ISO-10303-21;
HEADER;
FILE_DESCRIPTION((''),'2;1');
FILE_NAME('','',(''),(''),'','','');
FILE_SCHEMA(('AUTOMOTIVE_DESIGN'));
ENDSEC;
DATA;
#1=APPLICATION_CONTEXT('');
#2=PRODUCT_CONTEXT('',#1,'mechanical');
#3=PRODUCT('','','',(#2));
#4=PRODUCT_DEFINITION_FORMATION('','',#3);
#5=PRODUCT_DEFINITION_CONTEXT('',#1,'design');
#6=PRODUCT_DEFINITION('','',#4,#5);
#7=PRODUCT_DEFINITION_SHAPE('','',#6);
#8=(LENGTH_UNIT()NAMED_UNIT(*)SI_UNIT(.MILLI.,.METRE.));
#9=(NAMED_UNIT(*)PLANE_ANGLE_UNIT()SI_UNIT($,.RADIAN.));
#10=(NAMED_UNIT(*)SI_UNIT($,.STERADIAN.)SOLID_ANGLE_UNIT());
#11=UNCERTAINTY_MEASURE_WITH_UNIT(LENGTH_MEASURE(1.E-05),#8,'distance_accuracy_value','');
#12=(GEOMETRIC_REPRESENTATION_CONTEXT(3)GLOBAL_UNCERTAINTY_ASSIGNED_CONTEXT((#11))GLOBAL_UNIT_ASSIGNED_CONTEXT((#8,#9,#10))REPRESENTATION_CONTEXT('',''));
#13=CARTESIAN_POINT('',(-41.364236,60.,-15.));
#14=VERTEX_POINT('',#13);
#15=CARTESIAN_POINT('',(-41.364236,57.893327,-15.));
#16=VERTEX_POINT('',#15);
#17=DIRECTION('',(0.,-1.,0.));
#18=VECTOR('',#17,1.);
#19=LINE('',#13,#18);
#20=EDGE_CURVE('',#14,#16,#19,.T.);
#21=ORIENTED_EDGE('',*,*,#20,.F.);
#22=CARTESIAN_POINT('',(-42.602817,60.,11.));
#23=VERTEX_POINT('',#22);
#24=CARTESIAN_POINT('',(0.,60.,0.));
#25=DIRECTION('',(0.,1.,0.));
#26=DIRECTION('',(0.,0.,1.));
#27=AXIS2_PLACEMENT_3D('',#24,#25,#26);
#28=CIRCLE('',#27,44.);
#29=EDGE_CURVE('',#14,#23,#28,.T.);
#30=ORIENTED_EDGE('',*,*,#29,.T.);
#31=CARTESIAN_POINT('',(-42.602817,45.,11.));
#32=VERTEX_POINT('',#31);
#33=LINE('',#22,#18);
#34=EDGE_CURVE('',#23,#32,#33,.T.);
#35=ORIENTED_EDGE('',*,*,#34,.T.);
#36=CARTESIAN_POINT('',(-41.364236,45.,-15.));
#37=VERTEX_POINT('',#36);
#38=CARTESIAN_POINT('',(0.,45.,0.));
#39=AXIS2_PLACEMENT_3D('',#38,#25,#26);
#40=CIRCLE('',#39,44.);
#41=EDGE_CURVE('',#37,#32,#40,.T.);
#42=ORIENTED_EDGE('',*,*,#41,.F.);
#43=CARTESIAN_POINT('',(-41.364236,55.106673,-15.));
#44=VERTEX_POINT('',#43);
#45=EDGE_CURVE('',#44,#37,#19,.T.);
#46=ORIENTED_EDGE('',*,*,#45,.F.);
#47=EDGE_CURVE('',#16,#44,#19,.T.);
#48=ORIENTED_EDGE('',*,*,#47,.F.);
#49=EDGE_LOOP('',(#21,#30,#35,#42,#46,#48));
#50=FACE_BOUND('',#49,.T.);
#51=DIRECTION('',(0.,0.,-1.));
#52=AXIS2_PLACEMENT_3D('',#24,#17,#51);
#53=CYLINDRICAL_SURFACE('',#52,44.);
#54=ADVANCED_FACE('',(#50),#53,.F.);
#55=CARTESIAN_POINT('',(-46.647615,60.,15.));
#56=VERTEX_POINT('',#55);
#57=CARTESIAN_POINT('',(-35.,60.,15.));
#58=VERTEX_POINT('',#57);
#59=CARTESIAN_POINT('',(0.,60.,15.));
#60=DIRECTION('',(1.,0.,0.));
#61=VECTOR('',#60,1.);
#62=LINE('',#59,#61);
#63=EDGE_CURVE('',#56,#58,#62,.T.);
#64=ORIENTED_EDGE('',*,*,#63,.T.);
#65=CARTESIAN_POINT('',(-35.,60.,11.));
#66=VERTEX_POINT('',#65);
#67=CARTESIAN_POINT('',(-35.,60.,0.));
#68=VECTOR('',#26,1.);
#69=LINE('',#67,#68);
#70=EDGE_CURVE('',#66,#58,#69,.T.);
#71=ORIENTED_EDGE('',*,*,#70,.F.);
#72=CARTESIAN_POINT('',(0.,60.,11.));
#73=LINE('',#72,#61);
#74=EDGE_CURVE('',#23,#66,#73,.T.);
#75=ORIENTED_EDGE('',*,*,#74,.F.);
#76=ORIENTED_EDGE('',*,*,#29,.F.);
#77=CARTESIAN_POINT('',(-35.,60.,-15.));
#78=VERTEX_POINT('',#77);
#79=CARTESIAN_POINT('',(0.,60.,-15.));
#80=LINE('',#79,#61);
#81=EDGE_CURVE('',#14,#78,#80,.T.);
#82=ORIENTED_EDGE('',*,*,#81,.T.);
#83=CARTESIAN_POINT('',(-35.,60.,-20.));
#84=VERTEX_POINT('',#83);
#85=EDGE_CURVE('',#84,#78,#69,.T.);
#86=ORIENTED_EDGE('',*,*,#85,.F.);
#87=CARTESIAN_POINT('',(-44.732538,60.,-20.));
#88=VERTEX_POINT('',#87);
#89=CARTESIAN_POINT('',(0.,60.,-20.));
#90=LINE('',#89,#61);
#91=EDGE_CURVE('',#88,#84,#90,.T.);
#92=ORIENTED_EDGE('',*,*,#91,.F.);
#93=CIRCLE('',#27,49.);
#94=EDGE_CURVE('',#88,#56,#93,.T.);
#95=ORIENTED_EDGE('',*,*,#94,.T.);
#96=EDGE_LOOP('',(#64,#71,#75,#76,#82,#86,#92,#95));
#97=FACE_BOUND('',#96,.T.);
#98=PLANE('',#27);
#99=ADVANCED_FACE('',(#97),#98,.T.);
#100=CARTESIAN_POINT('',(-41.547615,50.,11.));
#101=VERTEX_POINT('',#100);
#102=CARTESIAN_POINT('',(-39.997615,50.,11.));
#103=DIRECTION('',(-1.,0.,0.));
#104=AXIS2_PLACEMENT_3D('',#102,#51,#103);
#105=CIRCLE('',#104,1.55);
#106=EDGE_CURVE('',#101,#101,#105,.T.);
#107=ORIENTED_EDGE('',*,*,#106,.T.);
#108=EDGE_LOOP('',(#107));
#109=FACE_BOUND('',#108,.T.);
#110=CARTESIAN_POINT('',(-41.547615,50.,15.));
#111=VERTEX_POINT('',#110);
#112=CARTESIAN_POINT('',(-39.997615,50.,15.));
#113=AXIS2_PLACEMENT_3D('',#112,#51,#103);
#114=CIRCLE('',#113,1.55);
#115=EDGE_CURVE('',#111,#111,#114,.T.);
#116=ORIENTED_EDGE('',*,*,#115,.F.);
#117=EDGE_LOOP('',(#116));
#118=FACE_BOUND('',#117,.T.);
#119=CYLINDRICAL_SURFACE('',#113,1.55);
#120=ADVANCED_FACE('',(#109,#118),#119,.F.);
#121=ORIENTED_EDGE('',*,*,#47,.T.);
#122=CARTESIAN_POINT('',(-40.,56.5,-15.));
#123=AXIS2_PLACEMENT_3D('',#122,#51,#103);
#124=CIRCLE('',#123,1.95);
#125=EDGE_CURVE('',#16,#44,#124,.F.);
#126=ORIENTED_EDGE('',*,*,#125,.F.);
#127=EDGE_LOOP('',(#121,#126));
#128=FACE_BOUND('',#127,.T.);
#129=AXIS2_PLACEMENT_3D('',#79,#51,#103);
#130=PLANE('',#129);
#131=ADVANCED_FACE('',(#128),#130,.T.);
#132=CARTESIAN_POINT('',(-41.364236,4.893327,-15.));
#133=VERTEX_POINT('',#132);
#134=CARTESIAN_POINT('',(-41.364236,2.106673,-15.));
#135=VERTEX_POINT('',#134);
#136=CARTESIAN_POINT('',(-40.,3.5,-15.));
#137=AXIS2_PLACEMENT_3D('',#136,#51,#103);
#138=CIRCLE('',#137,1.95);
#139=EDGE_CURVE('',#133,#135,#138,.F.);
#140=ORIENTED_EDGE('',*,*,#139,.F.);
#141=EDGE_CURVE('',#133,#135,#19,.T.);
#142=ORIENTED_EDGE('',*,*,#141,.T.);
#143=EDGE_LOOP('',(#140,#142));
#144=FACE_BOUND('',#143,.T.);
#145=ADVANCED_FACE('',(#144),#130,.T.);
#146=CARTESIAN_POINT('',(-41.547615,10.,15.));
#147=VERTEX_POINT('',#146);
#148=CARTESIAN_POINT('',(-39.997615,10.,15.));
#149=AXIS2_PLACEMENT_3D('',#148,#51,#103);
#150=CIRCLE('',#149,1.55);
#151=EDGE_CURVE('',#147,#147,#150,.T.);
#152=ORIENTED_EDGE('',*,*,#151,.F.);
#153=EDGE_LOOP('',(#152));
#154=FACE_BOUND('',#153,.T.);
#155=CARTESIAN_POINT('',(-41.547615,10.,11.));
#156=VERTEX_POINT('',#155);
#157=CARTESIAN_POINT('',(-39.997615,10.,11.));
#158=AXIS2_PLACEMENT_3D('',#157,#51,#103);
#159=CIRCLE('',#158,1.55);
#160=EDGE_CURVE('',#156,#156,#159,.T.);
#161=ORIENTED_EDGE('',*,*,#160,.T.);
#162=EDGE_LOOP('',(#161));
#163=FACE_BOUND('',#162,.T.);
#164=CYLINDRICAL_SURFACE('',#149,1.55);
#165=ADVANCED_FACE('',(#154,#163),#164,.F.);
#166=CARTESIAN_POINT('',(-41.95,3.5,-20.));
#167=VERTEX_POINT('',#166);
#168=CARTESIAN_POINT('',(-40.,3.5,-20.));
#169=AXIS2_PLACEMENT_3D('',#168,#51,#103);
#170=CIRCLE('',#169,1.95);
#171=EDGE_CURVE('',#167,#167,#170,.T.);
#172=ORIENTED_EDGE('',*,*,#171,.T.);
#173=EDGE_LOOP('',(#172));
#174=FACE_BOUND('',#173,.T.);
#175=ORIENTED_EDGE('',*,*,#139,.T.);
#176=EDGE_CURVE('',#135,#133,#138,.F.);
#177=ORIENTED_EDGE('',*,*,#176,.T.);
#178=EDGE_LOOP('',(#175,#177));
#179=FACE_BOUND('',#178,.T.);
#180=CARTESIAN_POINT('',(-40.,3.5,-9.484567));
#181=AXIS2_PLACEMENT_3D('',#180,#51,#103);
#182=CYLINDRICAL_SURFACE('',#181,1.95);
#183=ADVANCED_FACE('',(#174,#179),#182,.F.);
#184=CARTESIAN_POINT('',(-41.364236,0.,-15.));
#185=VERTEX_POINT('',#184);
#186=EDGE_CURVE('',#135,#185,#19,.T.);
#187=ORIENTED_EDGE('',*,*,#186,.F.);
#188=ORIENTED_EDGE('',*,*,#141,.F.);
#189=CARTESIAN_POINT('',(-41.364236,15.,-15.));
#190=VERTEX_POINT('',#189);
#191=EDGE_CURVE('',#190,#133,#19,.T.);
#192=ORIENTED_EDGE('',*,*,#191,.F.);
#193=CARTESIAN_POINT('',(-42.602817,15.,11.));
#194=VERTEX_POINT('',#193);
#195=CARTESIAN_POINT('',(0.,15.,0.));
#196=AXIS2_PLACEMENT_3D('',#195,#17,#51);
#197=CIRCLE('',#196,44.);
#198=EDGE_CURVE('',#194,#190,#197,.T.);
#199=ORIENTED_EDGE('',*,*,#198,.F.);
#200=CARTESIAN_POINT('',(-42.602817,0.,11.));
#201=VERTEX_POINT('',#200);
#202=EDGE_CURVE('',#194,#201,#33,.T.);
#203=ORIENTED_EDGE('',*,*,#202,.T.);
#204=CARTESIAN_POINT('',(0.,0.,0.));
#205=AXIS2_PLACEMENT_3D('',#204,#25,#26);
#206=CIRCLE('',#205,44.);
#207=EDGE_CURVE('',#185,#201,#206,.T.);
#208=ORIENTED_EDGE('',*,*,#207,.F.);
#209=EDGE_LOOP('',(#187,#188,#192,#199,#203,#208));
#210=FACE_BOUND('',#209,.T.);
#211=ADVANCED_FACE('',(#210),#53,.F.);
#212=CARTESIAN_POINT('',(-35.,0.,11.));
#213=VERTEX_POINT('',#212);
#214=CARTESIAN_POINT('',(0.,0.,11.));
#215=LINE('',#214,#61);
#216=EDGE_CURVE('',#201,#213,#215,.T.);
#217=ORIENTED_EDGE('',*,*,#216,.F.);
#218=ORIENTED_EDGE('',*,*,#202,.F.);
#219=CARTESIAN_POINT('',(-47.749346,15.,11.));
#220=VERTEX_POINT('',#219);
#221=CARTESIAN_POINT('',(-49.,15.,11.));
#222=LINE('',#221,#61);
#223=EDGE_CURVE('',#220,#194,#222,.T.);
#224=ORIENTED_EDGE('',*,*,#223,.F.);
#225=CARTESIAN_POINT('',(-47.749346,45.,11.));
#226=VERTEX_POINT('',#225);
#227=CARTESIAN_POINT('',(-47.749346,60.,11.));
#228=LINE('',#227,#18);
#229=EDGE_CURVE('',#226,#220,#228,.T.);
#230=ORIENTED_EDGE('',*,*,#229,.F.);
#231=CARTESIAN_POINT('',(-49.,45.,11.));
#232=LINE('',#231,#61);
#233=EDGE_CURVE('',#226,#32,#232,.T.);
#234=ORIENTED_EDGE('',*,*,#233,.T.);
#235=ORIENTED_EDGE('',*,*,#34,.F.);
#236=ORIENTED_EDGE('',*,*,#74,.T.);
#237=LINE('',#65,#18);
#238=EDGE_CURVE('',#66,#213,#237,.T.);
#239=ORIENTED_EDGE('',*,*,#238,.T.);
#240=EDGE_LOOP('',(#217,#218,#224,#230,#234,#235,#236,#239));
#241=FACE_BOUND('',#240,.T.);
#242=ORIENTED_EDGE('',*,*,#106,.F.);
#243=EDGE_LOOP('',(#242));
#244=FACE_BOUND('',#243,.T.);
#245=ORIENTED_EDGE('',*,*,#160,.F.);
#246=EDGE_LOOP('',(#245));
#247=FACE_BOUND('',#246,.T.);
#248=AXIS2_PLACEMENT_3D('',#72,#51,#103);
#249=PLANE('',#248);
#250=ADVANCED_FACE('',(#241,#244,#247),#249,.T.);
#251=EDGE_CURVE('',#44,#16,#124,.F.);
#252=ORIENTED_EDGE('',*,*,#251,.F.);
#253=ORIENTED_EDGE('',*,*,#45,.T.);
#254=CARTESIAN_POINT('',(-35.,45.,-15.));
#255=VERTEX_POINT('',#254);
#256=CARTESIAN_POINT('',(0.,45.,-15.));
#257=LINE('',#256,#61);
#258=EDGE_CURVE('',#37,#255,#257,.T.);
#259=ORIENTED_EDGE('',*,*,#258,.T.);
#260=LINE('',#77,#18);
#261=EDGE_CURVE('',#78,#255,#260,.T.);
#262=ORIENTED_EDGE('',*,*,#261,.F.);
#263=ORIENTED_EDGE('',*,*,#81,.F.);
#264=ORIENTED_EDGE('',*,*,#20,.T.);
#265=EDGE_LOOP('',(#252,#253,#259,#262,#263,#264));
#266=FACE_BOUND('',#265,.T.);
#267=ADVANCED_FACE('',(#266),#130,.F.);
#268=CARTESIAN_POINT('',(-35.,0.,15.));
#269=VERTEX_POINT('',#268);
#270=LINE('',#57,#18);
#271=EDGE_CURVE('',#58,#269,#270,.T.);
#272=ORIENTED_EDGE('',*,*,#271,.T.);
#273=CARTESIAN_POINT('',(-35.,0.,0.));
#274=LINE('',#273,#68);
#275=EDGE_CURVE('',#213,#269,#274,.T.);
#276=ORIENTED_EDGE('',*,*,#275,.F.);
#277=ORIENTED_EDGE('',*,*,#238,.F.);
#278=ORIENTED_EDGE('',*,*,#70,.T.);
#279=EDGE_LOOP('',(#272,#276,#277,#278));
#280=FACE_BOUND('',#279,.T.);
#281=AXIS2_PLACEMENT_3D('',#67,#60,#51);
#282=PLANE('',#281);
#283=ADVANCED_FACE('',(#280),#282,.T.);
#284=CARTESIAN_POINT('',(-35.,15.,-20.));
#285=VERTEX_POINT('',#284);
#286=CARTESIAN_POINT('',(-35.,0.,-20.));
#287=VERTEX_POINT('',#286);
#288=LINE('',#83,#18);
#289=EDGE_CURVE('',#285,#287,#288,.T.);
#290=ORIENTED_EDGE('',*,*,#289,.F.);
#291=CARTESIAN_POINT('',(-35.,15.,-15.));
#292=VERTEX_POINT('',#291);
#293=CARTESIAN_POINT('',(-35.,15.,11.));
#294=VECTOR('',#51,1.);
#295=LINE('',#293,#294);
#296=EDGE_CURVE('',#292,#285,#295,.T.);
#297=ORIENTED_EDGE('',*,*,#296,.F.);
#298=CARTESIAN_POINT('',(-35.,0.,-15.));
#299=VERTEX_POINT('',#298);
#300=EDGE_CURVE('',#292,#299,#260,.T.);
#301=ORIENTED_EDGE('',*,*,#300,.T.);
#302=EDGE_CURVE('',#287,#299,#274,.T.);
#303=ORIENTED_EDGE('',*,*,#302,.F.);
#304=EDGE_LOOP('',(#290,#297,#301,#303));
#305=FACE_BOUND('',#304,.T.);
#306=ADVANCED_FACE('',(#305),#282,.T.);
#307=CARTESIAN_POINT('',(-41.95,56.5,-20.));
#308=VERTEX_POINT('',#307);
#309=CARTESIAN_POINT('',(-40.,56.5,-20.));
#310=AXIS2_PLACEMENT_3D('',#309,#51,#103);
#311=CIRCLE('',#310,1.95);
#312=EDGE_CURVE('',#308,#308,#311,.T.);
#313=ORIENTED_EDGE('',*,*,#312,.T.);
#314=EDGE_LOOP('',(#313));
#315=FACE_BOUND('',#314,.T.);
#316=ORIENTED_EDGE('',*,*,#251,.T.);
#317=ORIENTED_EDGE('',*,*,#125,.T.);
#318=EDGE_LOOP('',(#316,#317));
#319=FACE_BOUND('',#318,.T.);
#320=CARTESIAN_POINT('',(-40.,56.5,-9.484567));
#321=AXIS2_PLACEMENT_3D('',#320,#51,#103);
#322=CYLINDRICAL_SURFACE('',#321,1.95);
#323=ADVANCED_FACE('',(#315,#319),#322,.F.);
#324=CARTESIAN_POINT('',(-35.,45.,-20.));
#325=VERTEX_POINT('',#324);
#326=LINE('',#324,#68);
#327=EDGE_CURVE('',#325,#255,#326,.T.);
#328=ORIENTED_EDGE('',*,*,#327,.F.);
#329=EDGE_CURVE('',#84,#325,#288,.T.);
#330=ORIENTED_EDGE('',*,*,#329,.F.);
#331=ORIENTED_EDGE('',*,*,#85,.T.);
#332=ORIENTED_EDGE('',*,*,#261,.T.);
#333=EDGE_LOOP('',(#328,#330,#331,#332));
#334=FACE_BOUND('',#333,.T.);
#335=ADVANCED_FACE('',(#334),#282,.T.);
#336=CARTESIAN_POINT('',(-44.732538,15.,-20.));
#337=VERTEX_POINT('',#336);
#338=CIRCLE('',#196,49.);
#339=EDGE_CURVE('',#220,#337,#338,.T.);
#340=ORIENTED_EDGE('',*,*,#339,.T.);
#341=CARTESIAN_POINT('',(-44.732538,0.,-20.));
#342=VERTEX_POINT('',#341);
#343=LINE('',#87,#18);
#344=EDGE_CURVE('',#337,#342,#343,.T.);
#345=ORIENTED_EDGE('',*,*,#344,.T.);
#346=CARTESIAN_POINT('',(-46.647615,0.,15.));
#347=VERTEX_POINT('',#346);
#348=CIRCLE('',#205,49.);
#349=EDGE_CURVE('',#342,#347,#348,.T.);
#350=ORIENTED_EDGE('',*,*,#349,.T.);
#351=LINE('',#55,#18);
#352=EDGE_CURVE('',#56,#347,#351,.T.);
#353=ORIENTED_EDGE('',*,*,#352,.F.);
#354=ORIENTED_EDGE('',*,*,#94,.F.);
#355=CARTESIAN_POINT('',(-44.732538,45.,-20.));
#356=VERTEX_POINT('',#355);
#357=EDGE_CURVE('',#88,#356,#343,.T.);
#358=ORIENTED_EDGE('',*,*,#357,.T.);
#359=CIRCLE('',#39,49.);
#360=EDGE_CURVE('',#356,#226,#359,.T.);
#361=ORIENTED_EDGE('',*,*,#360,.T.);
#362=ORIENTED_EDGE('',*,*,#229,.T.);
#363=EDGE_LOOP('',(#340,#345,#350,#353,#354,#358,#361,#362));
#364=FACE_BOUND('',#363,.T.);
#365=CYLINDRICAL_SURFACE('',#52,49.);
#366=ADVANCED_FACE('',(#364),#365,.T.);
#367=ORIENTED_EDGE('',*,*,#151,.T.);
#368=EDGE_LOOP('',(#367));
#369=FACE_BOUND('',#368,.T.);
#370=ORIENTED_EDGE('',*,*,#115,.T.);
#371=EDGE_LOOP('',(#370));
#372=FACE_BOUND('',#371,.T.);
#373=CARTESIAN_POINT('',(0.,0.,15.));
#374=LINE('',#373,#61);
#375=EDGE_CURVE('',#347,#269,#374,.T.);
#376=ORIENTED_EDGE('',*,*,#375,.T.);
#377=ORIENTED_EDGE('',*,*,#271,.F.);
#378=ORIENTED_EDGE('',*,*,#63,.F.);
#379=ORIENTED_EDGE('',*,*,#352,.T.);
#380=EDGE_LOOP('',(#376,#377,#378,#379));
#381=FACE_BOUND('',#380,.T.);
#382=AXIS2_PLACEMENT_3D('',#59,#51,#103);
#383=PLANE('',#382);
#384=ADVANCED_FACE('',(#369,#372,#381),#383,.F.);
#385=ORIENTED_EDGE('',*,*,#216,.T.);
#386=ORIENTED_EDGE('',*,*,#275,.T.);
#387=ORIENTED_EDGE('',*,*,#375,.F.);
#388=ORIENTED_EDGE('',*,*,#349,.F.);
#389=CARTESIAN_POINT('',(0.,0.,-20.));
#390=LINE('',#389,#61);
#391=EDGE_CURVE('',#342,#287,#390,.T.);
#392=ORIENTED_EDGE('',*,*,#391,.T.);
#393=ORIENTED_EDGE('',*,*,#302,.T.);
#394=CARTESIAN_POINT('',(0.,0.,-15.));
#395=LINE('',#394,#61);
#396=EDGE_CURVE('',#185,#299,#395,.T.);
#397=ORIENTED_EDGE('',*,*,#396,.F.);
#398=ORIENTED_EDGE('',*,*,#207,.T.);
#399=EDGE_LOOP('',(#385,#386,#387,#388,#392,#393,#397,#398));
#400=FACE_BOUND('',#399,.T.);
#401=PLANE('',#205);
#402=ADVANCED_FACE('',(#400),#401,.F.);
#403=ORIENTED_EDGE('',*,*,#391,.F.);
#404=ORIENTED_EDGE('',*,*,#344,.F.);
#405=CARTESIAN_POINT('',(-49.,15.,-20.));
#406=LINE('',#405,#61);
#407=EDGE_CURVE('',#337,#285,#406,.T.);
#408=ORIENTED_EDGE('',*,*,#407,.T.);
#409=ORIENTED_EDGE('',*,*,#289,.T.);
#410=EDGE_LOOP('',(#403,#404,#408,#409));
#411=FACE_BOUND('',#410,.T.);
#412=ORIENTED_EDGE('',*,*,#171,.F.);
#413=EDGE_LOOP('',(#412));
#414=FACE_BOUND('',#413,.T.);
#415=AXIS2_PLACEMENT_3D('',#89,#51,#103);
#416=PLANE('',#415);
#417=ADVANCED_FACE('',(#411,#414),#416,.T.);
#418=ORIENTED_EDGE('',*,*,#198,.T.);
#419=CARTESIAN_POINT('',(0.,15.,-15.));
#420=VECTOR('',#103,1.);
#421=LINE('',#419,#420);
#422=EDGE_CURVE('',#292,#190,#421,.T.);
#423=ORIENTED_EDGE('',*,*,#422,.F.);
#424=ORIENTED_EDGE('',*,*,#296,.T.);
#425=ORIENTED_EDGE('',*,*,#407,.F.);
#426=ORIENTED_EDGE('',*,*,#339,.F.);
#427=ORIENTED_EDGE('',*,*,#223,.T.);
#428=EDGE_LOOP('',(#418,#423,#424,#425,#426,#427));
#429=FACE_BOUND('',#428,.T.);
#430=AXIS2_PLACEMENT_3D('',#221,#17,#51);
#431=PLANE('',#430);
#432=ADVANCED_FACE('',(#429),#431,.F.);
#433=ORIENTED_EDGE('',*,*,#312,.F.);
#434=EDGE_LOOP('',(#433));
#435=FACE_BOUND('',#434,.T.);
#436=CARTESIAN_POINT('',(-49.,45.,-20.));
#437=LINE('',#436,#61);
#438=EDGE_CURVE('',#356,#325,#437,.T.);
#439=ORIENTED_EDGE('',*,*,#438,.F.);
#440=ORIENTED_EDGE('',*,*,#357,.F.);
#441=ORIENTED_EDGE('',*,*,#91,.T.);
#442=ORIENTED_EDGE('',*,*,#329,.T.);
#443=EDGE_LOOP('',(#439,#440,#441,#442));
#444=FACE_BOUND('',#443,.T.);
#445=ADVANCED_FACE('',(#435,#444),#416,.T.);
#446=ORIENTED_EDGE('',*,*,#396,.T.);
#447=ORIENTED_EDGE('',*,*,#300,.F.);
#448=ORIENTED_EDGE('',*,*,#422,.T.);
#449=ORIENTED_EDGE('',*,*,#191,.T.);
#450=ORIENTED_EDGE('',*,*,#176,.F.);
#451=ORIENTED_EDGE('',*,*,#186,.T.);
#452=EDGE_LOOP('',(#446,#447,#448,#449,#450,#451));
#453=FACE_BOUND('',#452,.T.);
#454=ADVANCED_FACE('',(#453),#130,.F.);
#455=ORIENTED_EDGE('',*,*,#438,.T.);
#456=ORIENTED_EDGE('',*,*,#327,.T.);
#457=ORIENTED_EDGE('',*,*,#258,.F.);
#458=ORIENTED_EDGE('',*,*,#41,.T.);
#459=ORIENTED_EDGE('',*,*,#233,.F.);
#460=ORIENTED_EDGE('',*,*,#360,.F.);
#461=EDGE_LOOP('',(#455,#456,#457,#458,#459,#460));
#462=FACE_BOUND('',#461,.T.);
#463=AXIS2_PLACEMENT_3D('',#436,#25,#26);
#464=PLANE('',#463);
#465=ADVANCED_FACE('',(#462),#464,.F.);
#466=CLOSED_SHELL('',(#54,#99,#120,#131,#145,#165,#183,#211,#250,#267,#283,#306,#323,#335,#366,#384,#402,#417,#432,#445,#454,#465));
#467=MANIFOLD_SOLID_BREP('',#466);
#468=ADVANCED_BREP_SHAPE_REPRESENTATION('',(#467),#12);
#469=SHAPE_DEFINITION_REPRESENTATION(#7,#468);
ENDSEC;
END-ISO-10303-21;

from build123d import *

# Parameters (mm, degrees)
BOSS_EXTRUDE1_DEPTH = 60
SKETCH2_R           = 1.55
CUT_EXTRUDE1_DEPTH  = 5
SKETCH3_R           = 1.95
CUT_EXTRUDE2_DEPTH  = 5
SKETCH4_W           = 31
SKETCH4_H           = 30
CUT_EXTRUDE3_DEPTH  = 15


with BuildPart() as part:
    # Sketch1 → Boss-Extrude1 (new body)
    with BuildSketch(Plane(origin=(0, 0, 0), x_dir=(1, 0, 0), z_dir=(0, 1, 0))):
        with BuildLine():
            ThreePointArc((-44.732538493, 20), (-48.92681392, 2.677102848), (-46.647615159, -15))
            Line((-46.647615159, -15), (-41.36423576, -15))
            Line((-41.36423576, -15), (-35, -15))
            Line((-35, -15), (-35, -11))
            Line((-35, -11), (-42.602816808, -11))
            ThreePointArc((-42.602816808, -11), (-43.950159036, 2.093685925), (-41.36423576, 15))
            Line((-41.36423576, 15), (-35, 15))
            Line((-35, 15), (-35, 20))
            Line((-35, 20), (-39.191835885, 20))
            Line((-39.191835885, 20), (-44.732538493, 20))
        make_face()
    extrude(amount=BOSS_EXTRUDE1_DEPTH)

    # Sketch2 → Cut-Extrude1 (cut, through all)
    with BuildSketch(Plane(origin=(0, 0, 11), x_dir=(-1, 0, 0), z_dir=(0, 0, -1))):
        with Locations((39.997615159, 50)):
            Circle(SKETCH2_R)
        with Locations((39.997615159, 10)):
            Circle(SKETCH2_R)
    extrude(amount=-CUT_EXTRUDE1_DEPTH, mode=Mode.SUBTRACT)

    # Sketch3 → Cut-Extrude2 (cut)
    with BuildSketch(Plane(origin=(0, 0, -20), x_dir=(-1, 0, 0), z_dir=(0, 0, -1))):
        with Locations((40, 3.5)):
            Circle(SKETCH3_R)
        with Locations((40, 56.5)):
            Circle(SKETCH3_R)
    extrude(amount=-CUT_EXTRUDE2_DEPTH, mode=Mode.SUBTRACT)

    # Sketch4 → Cut-Extrude3 (cut, through all)
    with BuildSketch(Plane(origin=(-35, 0, 0), x_dir=(0, 0, -1), z_dir=(1, 0, 0))):
        with Locations((4.5, 30)):
            Rectangle(SKETCH4_W, SKETCH4_H)
    extrude(amount=-CUT_EXTRUDE3_DEPTH, mode=Mode.SUBTRACT)


solid = part.part
